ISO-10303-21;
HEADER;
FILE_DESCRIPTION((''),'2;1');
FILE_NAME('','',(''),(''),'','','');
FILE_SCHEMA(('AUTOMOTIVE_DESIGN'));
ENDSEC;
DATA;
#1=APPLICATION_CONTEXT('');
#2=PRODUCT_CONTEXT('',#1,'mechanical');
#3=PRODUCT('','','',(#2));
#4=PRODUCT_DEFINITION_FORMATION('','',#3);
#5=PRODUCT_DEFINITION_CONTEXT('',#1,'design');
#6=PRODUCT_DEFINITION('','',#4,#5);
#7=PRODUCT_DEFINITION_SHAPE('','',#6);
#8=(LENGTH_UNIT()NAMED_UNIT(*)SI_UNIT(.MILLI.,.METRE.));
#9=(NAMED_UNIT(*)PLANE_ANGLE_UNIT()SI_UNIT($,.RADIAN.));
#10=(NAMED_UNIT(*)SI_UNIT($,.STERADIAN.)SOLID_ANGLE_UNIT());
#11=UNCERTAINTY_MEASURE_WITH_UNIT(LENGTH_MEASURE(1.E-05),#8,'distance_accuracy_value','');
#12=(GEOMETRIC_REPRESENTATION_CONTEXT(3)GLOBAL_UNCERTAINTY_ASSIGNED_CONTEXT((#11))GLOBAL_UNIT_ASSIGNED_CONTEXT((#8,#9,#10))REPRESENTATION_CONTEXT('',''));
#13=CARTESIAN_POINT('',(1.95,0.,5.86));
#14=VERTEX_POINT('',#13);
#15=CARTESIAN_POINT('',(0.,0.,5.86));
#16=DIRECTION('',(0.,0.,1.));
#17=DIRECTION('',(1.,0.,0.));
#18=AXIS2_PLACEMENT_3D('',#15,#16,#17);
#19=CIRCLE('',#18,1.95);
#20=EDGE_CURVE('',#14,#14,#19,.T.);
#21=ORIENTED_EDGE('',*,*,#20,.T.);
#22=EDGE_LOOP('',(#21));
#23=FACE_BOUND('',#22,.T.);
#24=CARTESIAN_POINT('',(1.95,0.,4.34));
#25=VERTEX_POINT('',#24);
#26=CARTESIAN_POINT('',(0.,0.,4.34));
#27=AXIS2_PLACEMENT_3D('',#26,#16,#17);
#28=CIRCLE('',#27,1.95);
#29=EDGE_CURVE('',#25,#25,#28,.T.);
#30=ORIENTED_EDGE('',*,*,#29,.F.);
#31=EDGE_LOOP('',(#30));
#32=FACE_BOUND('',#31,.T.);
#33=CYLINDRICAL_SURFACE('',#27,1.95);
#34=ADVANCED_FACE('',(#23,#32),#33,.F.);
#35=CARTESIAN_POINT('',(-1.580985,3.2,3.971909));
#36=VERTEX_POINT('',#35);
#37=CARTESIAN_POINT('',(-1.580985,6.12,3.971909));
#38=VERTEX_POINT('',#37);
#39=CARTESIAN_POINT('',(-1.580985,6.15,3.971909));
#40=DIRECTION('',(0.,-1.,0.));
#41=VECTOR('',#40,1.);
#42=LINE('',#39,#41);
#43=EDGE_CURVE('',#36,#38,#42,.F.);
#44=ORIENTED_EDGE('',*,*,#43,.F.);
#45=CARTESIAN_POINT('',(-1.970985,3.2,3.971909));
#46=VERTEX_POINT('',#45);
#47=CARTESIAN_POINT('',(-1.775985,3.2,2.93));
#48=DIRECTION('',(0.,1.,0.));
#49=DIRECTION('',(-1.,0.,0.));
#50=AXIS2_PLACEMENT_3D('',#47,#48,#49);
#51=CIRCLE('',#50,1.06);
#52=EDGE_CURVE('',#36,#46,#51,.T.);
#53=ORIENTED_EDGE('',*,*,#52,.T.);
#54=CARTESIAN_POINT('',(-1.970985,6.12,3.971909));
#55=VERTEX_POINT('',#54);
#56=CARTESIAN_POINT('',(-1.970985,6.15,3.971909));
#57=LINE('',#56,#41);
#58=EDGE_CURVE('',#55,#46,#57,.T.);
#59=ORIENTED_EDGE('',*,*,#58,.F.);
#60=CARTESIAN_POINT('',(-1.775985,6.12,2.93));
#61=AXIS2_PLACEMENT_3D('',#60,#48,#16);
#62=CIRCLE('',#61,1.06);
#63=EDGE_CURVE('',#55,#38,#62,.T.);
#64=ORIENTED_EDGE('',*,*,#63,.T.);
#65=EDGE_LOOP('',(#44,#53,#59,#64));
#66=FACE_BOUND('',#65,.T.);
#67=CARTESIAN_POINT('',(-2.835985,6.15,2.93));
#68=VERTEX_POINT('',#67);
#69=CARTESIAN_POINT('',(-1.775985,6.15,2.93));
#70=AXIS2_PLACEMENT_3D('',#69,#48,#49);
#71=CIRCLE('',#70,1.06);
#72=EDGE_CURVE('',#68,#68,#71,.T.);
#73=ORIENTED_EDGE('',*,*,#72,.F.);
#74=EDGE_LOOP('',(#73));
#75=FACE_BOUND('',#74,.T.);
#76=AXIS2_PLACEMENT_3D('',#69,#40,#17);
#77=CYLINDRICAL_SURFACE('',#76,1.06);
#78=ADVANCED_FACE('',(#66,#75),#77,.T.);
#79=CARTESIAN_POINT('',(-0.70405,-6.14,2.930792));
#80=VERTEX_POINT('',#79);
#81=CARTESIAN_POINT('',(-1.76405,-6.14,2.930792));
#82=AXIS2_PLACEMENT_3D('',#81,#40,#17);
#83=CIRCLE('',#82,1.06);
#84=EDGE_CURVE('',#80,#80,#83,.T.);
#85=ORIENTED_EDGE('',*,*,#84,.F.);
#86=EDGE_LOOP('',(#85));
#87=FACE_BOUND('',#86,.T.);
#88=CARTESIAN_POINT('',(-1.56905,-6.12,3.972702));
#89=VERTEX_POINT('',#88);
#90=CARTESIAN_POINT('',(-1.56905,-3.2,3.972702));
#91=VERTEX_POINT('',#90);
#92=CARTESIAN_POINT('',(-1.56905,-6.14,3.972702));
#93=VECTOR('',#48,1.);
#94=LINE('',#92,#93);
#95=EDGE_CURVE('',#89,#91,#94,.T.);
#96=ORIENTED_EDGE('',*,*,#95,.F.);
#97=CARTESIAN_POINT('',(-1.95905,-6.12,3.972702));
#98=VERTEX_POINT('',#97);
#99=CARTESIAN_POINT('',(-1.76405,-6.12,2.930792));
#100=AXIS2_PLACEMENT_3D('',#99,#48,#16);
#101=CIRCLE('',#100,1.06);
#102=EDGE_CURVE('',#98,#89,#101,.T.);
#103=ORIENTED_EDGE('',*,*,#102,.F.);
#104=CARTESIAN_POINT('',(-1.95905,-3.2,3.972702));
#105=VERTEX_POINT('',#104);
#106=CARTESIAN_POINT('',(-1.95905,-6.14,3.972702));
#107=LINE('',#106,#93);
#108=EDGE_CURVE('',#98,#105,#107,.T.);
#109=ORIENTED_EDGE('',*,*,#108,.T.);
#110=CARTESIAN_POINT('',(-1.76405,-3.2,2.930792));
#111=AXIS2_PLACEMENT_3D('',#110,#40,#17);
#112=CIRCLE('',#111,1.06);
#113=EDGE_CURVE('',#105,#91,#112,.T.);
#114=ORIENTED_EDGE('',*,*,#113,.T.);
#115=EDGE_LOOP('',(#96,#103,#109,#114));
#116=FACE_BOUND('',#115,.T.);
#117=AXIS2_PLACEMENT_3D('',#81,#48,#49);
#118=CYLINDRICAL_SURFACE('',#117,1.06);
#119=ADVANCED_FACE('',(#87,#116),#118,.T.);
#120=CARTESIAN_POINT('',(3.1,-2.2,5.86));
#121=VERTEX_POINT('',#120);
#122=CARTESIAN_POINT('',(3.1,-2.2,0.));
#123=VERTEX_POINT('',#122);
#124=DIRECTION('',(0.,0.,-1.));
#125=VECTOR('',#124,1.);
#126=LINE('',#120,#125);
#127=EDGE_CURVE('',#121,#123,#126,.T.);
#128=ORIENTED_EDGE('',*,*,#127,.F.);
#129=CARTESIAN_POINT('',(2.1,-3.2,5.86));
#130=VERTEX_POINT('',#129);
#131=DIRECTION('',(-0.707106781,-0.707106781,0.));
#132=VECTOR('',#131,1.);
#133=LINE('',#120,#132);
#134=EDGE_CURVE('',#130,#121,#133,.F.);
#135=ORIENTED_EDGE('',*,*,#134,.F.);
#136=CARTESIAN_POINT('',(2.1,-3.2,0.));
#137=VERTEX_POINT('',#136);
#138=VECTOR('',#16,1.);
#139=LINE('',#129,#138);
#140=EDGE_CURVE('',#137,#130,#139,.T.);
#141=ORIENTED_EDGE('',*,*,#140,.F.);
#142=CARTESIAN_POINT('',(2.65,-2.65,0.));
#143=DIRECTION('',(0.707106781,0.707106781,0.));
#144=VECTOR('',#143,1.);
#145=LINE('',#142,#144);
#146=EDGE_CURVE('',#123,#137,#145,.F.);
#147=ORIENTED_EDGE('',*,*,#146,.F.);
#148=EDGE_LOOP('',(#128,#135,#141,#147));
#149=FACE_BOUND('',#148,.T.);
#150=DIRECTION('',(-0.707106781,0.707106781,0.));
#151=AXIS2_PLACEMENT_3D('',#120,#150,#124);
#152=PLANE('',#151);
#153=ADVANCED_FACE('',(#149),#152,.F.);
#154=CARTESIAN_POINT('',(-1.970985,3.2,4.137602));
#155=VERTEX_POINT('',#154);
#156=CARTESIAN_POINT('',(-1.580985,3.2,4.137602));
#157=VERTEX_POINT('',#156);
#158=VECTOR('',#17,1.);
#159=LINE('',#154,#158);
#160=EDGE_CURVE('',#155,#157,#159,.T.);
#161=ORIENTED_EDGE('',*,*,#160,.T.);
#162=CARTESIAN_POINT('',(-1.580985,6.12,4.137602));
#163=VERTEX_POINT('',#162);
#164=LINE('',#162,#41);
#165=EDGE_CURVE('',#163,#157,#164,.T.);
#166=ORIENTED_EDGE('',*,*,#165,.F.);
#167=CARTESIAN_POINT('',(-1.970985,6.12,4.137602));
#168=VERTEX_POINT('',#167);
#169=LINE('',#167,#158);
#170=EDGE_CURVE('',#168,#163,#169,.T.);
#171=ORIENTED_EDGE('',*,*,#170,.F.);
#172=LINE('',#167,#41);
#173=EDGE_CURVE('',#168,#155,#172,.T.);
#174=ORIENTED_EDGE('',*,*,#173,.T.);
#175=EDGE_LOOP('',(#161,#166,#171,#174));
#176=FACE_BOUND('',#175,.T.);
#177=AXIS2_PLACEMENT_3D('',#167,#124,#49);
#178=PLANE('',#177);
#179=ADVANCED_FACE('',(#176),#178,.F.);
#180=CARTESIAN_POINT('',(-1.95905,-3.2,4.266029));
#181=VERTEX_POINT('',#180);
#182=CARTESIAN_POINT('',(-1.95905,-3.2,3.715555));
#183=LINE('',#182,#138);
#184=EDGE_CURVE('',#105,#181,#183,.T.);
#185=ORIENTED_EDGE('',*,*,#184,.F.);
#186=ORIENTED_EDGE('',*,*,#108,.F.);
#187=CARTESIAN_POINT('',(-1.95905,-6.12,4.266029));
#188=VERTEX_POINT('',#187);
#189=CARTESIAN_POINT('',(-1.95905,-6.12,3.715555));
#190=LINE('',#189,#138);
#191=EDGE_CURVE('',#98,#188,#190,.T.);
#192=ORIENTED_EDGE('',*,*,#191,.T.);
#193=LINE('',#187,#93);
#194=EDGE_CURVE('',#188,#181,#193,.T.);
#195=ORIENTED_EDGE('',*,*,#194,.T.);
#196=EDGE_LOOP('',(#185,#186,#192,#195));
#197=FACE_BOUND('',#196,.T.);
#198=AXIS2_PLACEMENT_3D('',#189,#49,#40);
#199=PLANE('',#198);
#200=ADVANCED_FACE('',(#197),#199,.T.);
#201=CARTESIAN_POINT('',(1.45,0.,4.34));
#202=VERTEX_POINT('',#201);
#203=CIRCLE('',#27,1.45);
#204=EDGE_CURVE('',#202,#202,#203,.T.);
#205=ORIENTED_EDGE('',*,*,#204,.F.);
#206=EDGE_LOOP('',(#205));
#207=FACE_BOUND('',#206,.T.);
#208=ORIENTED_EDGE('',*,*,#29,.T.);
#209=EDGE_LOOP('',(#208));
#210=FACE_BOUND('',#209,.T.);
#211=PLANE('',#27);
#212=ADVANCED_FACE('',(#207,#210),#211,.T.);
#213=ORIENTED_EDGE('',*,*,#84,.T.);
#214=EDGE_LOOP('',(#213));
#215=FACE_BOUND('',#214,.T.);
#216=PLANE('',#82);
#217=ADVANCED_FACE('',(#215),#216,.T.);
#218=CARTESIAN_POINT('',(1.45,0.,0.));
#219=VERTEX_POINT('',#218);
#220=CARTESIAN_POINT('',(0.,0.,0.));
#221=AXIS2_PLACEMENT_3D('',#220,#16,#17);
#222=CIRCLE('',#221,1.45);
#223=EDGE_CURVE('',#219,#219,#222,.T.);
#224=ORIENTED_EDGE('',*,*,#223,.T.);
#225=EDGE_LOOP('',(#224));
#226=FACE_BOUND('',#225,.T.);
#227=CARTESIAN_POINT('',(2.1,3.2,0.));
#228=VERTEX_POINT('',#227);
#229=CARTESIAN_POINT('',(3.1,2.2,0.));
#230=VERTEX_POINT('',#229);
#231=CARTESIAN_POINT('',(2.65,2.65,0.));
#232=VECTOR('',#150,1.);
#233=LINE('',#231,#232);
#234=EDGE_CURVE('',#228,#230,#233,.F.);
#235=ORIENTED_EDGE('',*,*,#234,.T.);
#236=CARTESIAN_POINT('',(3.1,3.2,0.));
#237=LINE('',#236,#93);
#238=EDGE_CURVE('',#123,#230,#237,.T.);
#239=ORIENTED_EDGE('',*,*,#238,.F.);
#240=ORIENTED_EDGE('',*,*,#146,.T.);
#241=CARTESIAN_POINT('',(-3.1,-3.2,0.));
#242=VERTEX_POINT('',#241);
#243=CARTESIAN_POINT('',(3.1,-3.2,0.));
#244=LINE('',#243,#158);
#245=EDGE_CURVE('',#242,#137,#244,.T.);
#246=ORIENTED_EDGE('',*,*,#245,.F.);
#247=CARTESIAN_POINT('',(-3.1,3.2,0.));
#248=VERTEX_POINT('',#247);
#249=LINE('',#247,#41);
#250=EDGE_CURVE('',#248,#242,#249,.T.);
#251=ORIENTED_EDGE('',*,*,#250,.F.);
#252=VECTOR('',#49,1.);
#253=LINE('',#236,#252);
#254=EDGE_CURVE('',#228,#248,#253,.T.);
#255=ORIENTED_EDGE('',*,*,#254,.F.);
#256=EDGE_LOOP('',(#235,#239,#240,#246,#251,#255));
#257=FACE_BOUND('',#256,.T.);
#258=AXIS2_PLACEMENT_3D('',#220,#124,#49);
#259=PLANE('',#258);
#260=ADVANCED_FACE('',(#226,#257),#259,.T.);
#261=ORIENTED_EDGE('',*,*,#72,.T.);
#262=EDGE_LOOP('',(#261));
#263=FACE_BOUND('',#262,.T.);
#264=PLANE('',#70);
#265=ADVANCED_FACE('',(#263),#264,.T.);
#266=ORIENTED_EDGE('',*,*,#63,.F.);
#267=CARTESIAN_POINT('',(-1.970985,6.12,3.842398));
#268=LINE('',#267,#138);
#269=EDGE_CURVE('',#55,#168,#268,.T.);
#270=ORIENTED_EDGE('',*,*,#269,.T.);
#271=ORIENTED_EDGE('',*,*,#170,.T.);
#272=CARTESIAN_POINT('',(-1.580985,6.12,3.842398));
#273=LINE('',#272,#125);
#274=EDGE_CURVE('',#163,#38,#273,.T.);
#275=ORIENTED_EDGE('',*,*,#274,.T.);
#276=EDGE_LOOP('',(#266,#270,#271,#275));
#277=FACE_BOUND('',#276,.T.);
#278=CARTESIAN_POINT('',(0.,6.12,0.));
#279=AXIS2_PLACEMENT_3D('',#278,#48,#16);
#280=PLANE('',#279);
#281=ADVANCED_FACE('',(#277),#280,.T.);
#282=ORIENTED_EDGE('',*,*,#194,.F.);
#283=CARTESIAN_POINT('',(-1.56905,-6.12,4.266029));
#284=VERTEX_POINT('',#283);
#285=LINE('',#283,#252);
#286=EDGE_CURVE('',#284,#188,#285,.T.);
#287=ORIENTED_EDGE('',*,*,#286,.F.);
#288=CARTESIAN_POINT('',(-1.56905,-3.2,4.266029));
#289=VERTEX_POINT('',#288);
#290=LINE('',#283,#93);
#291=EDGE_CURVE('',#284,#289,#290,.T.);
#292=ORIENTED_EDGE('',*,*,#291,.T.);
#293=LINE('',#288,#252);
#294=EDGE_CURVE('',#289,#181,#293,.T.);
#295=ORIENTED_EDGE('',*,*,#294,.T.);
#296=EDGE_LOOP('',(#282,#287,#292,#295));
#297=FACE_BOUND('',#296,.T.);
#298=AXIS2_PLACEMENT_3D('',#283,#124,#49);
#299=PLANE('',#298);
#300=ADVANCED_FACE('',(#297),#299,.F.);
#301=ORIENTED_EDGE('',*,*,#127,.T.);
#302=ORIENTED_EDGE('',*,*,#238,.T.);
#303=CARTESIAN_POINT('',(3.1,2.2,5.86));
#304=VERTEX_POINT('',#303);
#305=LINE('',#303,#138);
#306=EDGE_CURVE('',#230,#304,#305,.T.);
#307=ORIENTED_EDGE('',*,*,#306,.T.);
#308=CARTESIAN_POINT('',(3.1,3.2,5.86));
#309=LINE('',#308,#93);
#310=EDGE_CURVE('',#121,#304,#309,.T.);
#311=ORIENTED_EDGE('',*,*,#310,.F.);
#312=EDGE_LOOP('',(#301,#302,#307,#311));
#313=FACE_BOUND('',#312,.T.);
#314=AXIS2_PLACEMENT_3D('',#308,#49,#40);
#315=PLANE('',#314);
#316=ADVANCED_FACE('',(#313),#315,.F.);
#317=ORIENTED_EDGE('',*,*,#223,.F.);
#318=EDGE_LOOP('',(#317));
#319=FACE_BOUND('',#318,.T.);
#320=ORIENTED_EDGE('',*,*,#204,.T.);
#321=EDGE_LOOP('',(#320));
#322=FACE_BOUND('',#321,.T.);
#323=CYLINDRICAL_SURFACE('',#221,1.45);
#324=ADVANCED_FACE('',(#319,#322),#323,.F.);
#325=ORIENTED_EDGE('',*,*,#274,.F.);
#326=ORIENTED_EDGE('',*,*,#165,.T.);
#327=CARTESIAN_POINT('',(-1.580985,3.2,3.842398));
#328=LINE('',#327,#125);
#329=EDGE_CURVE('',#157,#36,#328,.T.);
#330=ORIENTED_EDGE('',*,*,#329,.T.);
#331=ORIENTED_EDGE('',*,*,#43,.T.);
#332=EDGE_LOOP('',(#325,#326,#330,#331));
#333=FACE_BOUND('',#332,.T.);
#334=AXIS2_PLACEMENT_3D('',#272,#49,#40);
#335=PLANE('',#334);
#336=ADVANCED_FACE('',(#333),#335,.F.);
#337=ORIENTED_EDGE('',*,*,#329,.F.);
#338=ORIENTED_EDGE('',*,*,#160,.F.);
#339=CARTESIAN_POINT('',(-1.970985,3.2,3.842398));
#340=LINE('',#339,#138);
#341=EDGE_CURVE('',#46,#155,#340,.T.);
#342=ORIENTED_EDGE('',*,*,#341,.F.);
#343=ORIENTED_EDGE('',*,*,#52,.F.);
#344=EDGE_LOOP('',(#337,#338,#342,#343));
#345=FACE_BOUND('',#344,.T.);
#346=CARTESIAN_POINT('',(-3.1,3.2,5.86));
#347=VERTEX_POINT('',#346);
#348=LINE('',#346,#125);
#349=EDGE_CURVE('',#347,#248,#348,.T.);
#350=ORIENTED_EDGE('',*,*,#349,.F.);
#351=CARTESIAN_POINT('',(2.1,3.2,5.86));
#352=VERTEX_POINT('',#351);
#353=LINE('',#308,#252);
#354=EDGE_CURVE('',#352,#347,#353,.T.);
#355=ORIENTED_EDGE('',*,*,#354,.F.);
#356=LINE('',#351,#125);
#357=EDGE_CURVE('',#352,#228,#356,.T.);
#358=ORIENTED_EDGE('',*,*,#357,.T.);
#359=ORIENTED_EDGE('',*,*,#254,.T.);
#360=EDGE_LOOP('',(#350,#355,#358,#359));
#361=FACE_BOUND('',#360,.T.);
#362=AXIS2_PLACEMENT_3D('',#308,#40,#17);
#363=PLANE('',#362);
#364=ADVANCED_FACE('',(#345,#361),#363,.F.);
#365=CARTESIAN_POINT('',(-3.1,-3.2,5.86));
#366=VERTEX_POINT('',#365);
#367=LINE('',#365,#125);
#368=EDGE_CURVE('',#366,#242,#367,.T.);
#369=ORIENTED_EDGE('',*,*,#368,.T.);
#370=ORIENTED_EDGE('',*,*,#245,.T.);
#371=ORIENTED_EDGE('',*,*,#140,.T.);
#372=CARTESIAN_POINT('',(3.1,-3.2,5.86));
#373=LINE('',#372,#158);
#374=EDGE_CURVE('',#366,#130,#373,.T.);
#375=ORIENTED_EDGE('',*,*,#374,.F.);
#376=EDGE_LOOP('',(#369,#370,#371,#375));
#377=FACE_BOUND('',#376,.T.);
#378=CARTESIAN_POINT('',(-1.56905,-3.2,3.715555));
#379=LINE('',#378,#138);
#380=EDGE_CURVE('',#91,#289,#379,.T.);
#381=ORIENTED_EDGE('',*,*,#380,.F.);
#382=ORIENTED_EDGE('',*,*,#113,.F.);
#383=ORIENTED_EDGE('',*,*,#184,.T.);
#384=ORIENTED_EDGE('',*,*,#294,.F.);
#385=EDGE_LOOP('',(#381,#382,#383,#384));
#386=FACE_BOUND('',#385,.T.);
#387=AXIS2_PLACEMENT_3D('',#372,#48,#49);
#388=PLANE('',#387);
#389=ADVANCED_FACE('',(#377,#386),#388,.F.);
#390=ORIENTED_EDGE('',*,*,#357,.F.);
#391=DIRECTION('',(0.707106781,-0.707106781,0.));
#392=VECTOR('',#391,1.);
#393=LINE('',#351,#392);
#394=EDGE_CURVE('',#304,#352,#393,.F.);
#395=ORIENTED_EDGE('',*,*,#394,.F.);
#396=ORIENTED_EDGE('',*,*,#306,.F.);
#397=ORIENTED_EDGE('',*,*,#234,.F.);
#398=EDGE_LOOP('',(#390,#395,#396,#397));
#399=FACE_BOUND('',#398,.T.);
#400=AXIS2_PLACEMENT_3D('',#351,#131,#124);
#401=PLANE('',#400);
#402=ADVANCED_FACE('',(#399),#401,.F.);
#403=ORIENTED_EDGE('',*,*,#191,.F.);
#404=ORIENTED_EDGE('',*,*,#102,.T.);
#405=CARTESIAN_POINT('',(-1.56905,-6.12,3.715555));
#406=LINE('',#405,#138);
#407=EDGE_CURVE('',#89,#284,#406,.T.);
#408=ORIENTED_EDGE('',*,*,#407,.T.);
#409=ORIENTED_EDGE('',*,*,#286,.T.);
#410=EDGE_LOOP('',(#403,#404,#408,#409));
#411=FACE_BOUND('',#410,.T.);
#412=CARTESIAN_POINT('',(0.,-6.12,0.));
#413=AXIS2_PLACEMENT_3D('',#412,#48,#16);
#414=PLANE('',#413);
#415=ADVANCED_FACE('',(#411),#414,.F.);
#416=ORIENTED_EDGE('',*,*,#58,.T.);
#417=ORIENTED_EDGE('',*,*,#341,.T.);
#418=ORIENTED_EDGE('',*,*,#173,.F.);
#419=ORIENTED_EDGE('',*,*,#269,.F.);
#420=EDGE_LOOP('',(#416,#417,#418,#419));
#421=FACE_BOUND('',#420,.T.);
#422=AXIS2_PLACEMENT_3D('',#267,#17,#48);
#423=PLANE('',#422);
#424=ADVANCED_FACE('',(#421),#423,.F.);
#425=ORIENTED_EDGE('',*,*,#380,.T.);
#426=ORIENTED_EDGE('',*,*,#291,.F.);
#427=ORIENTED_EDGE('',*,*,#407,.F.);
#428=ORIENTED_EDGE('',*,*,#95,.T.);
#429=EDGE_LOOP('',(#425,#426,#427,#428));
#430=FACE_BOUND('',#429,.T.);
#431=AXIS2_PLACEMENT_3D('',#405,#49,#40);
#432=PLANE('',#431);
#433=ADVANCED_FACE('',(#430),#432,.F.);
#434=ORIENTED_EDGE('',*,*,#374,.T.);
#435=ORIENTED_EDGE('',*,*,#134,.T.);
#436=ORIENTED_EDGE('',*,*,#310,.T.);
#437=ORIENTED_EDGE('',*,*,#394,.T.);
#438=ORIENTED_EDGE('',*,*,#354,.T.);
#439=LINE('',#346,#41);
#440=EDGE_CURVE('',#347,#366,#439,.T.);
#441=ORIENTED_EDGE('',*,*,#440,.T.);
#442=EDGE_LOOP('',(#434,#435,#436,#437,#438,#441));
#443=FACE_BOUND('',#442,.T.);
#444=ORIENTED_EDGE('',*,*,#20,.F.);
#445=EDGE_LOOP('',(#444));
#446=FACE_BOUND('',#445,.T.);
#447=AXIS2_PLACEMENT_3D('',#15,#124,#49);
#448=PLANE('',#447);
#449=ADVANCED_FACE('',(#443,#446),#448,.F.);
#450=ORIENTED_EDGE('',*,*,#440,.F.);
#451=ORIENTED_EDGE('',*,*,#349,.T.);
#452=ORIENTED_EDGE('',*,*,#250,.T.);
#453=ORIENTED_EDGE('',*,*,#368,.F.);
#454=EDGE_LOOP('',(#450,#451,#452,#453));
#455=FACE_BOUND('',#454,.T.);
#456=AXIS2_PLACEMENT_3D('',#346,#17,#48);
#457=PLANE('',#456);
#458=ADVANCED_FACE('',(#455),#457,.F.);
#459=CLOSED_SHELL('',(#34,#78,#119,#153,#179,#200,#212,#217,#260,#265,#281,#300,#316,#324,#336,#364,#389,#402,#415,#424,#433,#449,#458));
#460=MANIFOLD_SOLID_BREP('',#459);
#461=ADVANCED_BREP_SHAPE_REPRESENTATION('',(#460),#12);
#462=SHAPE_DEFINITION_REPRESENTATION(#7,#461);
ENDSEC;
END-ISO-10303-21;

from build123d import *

# Parameters (mm, degrees)
SKETCH2_W           = 6.2
SKETCH2_H           = 6.4
BOSS_EXTRUDE1_DEPTH = 5.86
CHAMFER1_SIZE       = 1
SKETCH5_R           = 1.95
CUT_EXTRUDE3_DEPTH  = 1.52
SKETCH6_R           = 1.45
CUT_EXTRUDE4_DEPTH  = 7.219774916
SKETCH7_R           = 1.06
BOSS_EXTRUDE2_DEPTH = 2.95
SKETCH8_W           = 0.39
SKETCH8_H           = 0.295203358
BOSS_EXTRUDE3_DEPTH = 2.92
SKETCH9_R           = 1.06
BOSS_EXTRUDE4_DEPTH = 2.94
SKETCH11_W          = 0.39
SKETCH11_H          = 0.550473967
BOSS_EXTRUDE5_DEPTH = 2.92


with BuildPart() as part:
    # Sketch2 → Boss-Extrude1 (new body)
    with BuildSketch(Plane.XY):
        Rectangle(SKETCH2_W, SKETCH2_H)
    extrude(amount=BOSS_EXTRUDE1_DEPTH)

    # Chamfer1
    chamfer1_edges = [part.edges().sort_by_distance(p)[0] for p in [
        (3.1, 3.2, 2.93),
        (3.1, -3.2, 2.93),
    ]]
    chamfer(chamfer1_edges, length=CHAMFER1_SIZE)

    # Sketch5 → Cut-Extrude3 (cut)
    with BuildSketch(Plane.XY.offset(5.86)):
        Circle(SKETCH5_R)
    extrude(amount=-CUT_EXTRUDE3_DEPTH, mode=Mode.SUBTRACT)

    # Sketch6 → Cut-Extrude4 (cut, through all)
    with BuildSketch(Plane.XY.offset(4.34)):
        Circle(SKETCH6_R)
    extrude(amount=-CUT_EXTRUDE4_DEPTH, mode=Mode.SUBTRACT)

    # Sketch7 → Boss-Extrude2 (add)
    with BuildSketch(Plane(origin=(0, 3.2, 0), x_dir=(1, 0, 0), z_dir=(0, 1, 0))):
        with Locations(Location((-1.775985432, -2.93, 0), (0, 0, 180))):
            Circle(SKETCH7_R)
    extrude(amount=BOSS_EXTRUDE2_DEPTH)

    # Sketch8 → Boss-Extrude3 (add)
    with BuildSketch(Plane(origin=(0, 3.2, 0), x_dir=(1, 0, 0), z_dir=(0, 1, 0))):
        with Locations((-1.775985432, -3.99)):
            Rectangle(SKETCH8_W, SKETCH8_H)
    extrude(amount=BOSS_EXTRUDE3_DEPTH)

    # Sketch9 → Boss-Extrude4 (add)
    with BuildSketch(Plane.XZ.offset(3.2)):
        with Locations((-1.764050238, 2.930792226)):
            Circle(SKETCH9_R)
    extrude(amount=BOSS_EXTRUDE4_DEPTH)

    # Sketch11 → Boss-Extrude5 (add)
    with BuildSketch(Plane.XZ.offset(3.2)):
        with Locations((-1.764050238, 3.990792225)):
            Rectangle(SKETCH11_W, SKETCH11_H)
    extrude(amount=BOSS_EXTRUDE5_DEPTH)


solid = part.part
